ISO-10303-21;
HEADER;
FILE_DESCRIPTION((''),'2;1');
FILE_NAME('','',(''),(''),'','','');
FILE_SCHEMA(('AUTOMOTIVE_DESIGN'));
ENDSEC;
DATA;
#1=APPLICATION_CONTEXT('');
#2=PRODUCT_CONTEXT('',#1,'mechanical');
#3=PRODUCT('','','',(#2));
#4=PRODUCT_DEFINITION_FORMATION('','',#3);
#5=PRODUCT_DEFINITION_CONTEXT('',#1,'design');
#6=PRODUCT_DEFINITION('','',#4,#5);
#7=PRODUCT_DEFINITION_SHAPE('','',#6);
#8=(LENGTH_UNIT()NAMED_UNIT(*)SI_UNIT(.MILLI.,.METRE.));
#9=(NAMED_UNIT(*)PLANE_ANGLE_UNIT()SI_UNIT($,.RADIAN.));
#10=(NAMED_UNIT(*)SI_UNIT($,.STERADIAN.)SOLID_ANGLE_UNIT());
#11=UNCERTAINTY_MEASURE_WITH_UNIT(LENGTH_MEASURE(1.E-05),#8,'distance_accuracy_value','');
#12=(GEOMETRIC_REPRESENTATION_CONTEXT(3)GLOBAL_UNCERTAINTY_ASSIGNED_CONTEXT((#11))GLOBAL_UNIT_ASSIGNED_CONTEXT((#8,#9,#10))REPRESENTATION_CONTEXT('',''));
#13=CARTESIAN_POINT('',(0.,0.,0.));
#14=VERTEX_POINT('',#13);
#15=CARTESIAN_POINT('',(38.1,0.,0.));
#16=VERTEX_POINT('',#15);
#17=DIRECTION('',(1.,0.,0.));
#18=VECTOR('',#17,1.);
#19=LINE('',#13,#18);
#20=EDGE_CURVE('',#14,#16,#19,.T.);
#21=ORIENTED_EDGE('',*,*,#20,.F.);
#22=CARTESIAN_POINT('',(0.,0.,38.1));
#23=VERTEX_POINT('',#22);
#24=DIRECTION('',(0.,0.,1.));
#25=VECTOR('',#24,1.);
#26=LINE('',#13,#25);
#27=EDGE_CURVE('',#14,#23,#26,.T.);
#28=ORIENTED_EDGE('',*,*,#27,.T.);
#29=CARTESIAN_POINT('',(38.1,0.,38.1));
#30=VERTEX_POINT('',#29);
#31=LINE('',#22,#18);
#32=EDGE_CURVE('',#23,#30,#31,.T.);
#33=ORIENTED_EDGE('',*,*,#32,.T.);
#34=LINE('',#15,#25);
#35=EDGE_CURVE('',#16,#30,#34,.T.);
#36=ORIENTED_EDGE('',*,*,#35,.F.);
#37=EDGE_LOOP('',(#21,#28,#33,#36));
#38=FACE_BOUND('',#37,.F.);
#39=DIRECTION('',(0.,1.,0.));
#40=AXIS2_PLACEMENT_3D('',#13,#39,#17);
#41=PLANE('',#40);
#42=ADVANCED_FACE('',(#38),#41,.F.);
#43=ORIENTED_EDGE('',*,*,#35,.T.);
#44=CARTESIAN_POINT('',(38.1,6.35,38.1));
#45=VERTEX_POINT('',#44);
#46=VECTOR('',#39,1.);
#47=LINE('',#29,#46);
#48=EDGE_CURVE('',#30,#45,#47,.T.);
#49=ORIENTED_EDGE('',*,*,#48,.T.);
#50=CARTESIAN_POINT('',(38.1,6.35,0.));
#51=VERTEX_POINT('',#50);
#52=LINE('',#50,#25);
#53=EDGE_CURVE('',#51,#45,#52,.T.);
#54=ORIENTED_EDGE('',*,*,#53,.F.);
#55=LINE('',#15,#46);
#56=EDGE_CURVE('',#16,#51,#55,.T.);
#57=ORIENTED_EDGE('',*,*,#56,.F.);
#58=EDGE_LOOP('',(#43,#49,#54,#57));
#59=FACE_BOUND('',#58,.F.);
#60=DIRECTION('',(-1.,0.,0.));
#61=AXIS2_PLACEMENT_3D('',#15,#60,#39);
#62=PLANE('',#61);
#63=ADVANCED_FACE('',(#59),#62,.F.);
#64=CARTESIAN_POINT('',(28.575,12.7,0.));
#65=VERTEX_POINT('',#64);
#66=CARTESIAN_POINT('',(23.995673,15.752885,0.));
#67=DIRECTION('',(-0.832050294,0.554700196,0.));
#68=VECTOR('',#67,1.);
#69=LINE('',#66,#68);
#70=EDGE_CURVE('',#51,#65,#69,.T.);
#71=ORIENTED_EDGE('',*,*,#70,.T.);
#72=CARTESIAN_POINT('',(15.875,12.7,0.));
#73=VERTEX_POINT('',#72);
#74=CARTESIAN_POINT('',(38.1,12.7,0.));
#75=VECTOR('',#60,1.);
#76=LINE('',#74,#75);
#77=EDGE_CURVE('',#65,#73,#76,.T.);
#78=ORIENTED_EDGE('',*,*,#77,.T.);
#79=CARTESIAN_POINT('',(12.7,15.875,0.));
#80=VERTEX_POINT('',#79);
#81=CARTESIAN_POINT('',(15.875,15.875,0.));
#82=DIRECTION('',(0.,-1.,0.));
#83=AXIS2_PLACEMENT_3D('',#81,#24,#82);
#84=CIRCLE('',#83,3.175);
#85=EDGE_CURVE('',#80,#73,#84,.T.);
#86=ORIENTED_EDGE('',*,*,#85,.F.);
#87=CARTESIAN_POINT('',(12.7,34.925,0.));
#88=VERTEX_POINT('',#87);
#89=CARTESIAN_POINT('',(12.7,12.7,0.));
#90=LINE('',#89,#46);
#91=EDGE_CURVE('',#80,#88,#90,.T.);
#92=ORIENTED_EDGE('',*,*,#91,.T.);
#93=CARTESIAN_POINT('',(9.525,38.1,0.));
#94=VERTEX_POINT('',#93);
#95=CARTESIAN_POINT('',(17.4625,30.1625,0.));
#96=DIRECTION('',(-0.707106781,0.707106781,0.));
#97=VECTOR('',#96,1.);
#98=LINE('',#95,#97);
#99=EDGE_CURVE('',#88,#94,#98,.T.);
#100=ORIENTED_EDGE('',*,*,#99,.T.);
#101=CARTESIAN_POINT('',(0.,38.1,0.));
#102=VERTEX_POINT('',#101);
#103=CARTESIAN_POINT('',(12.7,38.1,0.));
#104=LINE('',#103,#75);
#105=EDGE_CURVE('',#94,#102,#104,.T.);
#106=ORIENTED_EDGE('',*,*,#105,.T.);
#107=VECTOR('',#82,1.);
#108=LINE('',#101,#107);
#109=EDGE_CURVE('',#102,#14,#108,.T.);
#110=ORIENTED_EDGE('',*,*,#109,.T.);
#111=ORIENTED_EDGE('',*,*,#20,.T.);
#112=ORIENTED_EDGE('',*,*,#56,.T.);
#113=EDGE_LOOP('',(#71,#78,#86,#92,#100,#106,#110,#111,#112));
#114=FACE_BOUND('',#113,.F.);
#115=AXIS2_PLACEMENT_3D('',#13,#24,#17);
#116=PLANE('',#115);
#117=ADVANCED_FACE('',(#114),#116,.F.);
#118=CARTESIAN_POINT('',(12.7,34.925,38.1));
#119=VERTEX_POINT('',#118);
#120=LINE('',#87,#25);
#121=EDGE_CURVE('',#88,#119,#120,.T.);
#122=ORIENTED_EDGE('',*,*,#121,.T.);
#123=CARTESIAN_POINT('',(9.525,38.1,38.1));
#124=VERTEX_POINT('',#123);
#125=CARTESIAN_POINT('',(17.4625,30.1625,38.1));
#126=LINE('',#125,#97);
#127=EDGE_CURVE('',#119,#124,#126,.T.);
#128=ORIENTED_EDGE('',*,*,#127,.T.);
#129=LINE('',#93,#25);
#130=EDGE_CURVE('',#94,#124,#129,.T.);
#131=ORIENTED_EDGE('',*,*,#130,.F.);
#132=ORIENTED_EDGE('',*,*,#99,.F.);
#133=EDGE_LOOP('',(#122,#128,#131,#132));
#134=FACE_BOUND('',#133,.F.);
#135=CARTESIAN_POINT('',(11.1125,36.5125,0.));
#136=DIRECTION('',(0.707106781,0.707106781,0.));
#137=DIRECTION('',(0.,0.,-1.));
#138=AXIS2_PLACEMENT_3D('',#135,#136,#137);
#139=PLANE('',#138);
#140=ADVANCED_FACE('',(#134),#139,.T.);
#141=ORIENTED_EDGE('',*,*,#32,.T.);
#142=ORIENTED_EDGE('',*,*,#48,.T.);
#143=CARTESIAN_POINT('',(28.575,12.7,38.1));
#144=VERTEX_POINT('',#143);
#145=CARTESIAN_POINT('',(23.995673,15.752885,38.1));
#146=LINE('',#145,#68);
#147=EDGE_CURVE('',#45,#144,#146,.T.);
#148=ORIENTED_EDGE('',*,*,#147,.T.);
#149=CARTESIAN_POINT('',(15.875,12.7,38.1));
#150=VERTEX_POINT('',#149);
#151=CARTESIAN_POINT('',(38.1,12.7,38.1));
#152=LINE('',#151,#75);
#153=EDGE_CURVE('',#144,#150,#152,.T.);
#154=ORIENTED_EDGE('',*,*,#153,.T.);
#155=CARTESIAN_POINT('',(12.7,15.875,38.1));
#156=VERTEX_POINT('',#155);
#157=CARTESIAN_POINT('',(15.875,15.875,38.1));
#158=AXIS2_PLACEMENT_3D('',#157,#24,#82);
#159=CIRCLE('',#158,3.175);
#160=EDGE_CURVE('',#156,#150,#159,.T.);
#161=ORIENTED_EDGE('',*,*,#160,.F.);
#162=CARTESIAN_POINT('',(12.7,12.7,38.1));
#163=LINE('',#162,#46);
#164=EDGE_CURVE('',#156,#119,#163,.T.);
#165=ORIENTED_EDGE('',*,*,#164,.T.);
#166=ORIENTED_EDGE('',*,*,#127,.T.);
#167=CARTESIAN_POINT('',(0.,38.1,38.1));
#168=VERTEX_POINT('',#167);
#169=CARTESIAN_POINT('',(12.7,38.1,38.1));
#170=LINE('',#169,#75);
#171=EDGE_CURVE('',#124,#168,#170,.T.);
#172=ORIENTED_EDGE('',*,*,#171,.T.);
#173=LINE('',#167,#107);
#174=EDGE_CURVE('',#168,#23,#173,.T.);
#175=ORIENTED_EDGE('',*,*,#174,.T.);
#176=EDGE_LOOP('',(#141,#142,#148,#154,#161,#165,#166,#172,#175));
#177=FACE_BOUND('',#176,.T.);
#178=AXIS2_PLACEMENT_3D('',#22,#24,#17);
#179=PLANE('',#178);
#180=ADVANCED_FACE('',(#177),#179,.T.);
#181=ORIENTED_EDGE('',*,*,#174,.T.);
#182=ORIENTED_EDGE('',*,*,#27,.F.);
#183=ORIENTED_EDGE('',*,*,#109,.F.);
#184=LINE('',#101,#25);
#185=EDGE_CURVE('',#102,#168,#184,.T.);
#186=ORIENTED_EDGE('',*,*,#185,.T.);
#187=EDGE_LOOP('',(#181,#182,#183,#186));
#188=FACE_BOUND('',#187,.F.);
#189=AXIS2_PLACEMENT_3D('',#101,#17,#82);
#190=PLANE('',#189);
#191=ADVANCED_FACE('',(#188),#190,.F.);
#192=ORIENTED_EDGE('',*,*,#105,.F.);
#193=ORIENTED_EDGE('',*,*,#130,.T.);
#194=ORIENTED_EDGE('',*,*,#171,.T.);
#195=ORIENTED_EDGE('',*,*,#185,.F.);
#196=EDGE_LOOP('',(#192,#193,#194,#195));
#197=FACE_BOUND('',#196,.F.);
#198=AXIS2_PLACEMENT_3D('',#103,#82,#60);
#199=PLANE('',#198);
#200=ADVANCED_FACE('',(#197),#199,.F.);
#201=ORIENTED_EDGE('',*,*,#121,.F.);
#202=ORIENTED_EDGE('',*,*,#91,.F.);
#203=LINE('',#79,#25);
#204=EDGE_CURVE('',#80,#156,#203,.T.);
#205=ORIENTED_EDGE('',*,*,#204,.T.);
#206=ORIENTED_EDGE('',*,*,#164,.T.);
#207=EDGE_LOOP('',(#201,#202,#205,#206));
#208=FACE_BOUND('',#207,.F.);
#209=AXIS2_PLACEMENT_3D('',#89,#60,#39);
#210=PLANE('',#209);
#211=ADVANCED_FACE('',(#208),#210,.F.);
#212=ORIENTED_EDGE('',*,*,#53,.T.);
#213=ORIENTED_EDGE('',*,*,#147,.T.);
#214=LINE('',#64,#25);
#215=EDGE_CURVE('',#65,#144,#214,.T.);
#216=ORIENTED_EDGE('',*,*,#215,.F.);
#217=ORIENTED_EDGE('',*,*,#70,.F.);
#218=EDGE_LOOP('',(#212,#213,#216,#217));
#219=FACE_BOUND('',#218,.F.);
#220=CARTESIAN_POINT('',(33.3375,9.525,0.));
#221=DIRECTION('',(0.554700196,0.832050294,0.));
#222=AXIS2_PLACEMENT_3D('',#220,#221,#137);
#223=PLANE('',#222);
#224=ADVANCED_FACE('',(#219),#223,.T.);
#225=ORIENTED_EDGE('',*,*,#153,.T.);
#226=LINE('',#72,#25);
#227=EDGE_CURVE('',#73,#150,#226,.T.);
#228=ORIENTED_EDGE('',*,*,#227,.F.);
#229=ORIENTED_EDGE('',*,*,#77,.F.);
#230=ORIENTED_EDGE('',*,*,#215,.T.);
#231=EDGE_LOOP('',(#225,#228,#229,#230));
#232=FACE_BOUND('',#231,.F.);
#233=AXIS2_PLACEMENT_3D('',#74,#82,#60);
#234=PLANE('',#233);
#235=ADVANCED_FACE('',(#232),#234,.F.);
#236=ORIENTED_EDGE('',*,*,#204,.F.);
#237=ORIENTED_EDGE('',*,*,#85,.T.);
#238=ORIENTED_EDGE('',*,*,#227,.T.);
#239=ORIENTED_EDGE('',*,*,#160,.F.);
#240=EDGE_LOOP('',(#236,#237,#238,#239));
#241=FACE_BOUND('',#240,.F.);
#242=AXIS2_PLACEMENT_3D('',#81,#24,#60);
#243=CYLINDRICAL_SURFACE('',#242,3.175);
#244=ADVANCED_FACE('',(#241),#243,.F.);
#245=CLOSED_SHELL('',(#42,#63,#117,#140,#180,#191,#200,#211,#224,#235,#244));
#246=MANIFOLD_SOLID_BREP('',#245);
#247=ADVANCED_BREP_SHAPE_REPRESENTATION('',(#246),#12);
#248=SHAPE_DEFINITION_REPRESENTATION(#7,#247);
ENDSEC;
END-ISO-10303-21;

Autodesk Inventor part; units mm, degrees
ref_plane "YZ Plane" through (0, 0, 0) normal (1, 0, 0) x (0, 1, 0)
ref_plane "XZ Plane" through (0, 0, 0) normal (0, 1, 0) x (-1, 0, 0)
ref_plane "XY Plane" through (0, 0, 0) normal (0, 0, 1) x (1, 0, 0)
sketch "Sketch1" plane through (0, 0, 0) normal (0, 0, 1) x (1, 0, 0)
  line L0 (0, 0) -> (38.1, 0)
  line L1 (38.1, 0) -> (38.1, 12.7)
  line L2 (38.1, 12.7) -> (12.7, 12.7)
  line L3 (12.7, 12.7) -> (12.7, 38.1)
  line L4 (12.7, 38.1) -> (0, 38.1)
  line L5 (0, 38.1) -> (0, 0)
  dimension "d0" = 38.1
  dimension "d1" = 12.7
  dimension "d2" = 25.4
  dimension "d3" = 25.4
extrude "Extrusion1" add sketch "Sketch1" along normal blind 38.1
fillet "Fillet3" radius 3.175 1 edges at (12.7, 12.7, 19.05)
chamfer "Chamfer1" distance 3.175 angle 45 1 edges at (12.7, 38.1, 19.05) measured on face at (8.4667, 38.1, 12.7)
chamfer "Chamfer2" distance 6.35 distance2 9.525 1 edges at (38.1, 12.7, 19.05) measured on face at (38.1, 4.2333, 12.7)
properties part number "Chamfer"
